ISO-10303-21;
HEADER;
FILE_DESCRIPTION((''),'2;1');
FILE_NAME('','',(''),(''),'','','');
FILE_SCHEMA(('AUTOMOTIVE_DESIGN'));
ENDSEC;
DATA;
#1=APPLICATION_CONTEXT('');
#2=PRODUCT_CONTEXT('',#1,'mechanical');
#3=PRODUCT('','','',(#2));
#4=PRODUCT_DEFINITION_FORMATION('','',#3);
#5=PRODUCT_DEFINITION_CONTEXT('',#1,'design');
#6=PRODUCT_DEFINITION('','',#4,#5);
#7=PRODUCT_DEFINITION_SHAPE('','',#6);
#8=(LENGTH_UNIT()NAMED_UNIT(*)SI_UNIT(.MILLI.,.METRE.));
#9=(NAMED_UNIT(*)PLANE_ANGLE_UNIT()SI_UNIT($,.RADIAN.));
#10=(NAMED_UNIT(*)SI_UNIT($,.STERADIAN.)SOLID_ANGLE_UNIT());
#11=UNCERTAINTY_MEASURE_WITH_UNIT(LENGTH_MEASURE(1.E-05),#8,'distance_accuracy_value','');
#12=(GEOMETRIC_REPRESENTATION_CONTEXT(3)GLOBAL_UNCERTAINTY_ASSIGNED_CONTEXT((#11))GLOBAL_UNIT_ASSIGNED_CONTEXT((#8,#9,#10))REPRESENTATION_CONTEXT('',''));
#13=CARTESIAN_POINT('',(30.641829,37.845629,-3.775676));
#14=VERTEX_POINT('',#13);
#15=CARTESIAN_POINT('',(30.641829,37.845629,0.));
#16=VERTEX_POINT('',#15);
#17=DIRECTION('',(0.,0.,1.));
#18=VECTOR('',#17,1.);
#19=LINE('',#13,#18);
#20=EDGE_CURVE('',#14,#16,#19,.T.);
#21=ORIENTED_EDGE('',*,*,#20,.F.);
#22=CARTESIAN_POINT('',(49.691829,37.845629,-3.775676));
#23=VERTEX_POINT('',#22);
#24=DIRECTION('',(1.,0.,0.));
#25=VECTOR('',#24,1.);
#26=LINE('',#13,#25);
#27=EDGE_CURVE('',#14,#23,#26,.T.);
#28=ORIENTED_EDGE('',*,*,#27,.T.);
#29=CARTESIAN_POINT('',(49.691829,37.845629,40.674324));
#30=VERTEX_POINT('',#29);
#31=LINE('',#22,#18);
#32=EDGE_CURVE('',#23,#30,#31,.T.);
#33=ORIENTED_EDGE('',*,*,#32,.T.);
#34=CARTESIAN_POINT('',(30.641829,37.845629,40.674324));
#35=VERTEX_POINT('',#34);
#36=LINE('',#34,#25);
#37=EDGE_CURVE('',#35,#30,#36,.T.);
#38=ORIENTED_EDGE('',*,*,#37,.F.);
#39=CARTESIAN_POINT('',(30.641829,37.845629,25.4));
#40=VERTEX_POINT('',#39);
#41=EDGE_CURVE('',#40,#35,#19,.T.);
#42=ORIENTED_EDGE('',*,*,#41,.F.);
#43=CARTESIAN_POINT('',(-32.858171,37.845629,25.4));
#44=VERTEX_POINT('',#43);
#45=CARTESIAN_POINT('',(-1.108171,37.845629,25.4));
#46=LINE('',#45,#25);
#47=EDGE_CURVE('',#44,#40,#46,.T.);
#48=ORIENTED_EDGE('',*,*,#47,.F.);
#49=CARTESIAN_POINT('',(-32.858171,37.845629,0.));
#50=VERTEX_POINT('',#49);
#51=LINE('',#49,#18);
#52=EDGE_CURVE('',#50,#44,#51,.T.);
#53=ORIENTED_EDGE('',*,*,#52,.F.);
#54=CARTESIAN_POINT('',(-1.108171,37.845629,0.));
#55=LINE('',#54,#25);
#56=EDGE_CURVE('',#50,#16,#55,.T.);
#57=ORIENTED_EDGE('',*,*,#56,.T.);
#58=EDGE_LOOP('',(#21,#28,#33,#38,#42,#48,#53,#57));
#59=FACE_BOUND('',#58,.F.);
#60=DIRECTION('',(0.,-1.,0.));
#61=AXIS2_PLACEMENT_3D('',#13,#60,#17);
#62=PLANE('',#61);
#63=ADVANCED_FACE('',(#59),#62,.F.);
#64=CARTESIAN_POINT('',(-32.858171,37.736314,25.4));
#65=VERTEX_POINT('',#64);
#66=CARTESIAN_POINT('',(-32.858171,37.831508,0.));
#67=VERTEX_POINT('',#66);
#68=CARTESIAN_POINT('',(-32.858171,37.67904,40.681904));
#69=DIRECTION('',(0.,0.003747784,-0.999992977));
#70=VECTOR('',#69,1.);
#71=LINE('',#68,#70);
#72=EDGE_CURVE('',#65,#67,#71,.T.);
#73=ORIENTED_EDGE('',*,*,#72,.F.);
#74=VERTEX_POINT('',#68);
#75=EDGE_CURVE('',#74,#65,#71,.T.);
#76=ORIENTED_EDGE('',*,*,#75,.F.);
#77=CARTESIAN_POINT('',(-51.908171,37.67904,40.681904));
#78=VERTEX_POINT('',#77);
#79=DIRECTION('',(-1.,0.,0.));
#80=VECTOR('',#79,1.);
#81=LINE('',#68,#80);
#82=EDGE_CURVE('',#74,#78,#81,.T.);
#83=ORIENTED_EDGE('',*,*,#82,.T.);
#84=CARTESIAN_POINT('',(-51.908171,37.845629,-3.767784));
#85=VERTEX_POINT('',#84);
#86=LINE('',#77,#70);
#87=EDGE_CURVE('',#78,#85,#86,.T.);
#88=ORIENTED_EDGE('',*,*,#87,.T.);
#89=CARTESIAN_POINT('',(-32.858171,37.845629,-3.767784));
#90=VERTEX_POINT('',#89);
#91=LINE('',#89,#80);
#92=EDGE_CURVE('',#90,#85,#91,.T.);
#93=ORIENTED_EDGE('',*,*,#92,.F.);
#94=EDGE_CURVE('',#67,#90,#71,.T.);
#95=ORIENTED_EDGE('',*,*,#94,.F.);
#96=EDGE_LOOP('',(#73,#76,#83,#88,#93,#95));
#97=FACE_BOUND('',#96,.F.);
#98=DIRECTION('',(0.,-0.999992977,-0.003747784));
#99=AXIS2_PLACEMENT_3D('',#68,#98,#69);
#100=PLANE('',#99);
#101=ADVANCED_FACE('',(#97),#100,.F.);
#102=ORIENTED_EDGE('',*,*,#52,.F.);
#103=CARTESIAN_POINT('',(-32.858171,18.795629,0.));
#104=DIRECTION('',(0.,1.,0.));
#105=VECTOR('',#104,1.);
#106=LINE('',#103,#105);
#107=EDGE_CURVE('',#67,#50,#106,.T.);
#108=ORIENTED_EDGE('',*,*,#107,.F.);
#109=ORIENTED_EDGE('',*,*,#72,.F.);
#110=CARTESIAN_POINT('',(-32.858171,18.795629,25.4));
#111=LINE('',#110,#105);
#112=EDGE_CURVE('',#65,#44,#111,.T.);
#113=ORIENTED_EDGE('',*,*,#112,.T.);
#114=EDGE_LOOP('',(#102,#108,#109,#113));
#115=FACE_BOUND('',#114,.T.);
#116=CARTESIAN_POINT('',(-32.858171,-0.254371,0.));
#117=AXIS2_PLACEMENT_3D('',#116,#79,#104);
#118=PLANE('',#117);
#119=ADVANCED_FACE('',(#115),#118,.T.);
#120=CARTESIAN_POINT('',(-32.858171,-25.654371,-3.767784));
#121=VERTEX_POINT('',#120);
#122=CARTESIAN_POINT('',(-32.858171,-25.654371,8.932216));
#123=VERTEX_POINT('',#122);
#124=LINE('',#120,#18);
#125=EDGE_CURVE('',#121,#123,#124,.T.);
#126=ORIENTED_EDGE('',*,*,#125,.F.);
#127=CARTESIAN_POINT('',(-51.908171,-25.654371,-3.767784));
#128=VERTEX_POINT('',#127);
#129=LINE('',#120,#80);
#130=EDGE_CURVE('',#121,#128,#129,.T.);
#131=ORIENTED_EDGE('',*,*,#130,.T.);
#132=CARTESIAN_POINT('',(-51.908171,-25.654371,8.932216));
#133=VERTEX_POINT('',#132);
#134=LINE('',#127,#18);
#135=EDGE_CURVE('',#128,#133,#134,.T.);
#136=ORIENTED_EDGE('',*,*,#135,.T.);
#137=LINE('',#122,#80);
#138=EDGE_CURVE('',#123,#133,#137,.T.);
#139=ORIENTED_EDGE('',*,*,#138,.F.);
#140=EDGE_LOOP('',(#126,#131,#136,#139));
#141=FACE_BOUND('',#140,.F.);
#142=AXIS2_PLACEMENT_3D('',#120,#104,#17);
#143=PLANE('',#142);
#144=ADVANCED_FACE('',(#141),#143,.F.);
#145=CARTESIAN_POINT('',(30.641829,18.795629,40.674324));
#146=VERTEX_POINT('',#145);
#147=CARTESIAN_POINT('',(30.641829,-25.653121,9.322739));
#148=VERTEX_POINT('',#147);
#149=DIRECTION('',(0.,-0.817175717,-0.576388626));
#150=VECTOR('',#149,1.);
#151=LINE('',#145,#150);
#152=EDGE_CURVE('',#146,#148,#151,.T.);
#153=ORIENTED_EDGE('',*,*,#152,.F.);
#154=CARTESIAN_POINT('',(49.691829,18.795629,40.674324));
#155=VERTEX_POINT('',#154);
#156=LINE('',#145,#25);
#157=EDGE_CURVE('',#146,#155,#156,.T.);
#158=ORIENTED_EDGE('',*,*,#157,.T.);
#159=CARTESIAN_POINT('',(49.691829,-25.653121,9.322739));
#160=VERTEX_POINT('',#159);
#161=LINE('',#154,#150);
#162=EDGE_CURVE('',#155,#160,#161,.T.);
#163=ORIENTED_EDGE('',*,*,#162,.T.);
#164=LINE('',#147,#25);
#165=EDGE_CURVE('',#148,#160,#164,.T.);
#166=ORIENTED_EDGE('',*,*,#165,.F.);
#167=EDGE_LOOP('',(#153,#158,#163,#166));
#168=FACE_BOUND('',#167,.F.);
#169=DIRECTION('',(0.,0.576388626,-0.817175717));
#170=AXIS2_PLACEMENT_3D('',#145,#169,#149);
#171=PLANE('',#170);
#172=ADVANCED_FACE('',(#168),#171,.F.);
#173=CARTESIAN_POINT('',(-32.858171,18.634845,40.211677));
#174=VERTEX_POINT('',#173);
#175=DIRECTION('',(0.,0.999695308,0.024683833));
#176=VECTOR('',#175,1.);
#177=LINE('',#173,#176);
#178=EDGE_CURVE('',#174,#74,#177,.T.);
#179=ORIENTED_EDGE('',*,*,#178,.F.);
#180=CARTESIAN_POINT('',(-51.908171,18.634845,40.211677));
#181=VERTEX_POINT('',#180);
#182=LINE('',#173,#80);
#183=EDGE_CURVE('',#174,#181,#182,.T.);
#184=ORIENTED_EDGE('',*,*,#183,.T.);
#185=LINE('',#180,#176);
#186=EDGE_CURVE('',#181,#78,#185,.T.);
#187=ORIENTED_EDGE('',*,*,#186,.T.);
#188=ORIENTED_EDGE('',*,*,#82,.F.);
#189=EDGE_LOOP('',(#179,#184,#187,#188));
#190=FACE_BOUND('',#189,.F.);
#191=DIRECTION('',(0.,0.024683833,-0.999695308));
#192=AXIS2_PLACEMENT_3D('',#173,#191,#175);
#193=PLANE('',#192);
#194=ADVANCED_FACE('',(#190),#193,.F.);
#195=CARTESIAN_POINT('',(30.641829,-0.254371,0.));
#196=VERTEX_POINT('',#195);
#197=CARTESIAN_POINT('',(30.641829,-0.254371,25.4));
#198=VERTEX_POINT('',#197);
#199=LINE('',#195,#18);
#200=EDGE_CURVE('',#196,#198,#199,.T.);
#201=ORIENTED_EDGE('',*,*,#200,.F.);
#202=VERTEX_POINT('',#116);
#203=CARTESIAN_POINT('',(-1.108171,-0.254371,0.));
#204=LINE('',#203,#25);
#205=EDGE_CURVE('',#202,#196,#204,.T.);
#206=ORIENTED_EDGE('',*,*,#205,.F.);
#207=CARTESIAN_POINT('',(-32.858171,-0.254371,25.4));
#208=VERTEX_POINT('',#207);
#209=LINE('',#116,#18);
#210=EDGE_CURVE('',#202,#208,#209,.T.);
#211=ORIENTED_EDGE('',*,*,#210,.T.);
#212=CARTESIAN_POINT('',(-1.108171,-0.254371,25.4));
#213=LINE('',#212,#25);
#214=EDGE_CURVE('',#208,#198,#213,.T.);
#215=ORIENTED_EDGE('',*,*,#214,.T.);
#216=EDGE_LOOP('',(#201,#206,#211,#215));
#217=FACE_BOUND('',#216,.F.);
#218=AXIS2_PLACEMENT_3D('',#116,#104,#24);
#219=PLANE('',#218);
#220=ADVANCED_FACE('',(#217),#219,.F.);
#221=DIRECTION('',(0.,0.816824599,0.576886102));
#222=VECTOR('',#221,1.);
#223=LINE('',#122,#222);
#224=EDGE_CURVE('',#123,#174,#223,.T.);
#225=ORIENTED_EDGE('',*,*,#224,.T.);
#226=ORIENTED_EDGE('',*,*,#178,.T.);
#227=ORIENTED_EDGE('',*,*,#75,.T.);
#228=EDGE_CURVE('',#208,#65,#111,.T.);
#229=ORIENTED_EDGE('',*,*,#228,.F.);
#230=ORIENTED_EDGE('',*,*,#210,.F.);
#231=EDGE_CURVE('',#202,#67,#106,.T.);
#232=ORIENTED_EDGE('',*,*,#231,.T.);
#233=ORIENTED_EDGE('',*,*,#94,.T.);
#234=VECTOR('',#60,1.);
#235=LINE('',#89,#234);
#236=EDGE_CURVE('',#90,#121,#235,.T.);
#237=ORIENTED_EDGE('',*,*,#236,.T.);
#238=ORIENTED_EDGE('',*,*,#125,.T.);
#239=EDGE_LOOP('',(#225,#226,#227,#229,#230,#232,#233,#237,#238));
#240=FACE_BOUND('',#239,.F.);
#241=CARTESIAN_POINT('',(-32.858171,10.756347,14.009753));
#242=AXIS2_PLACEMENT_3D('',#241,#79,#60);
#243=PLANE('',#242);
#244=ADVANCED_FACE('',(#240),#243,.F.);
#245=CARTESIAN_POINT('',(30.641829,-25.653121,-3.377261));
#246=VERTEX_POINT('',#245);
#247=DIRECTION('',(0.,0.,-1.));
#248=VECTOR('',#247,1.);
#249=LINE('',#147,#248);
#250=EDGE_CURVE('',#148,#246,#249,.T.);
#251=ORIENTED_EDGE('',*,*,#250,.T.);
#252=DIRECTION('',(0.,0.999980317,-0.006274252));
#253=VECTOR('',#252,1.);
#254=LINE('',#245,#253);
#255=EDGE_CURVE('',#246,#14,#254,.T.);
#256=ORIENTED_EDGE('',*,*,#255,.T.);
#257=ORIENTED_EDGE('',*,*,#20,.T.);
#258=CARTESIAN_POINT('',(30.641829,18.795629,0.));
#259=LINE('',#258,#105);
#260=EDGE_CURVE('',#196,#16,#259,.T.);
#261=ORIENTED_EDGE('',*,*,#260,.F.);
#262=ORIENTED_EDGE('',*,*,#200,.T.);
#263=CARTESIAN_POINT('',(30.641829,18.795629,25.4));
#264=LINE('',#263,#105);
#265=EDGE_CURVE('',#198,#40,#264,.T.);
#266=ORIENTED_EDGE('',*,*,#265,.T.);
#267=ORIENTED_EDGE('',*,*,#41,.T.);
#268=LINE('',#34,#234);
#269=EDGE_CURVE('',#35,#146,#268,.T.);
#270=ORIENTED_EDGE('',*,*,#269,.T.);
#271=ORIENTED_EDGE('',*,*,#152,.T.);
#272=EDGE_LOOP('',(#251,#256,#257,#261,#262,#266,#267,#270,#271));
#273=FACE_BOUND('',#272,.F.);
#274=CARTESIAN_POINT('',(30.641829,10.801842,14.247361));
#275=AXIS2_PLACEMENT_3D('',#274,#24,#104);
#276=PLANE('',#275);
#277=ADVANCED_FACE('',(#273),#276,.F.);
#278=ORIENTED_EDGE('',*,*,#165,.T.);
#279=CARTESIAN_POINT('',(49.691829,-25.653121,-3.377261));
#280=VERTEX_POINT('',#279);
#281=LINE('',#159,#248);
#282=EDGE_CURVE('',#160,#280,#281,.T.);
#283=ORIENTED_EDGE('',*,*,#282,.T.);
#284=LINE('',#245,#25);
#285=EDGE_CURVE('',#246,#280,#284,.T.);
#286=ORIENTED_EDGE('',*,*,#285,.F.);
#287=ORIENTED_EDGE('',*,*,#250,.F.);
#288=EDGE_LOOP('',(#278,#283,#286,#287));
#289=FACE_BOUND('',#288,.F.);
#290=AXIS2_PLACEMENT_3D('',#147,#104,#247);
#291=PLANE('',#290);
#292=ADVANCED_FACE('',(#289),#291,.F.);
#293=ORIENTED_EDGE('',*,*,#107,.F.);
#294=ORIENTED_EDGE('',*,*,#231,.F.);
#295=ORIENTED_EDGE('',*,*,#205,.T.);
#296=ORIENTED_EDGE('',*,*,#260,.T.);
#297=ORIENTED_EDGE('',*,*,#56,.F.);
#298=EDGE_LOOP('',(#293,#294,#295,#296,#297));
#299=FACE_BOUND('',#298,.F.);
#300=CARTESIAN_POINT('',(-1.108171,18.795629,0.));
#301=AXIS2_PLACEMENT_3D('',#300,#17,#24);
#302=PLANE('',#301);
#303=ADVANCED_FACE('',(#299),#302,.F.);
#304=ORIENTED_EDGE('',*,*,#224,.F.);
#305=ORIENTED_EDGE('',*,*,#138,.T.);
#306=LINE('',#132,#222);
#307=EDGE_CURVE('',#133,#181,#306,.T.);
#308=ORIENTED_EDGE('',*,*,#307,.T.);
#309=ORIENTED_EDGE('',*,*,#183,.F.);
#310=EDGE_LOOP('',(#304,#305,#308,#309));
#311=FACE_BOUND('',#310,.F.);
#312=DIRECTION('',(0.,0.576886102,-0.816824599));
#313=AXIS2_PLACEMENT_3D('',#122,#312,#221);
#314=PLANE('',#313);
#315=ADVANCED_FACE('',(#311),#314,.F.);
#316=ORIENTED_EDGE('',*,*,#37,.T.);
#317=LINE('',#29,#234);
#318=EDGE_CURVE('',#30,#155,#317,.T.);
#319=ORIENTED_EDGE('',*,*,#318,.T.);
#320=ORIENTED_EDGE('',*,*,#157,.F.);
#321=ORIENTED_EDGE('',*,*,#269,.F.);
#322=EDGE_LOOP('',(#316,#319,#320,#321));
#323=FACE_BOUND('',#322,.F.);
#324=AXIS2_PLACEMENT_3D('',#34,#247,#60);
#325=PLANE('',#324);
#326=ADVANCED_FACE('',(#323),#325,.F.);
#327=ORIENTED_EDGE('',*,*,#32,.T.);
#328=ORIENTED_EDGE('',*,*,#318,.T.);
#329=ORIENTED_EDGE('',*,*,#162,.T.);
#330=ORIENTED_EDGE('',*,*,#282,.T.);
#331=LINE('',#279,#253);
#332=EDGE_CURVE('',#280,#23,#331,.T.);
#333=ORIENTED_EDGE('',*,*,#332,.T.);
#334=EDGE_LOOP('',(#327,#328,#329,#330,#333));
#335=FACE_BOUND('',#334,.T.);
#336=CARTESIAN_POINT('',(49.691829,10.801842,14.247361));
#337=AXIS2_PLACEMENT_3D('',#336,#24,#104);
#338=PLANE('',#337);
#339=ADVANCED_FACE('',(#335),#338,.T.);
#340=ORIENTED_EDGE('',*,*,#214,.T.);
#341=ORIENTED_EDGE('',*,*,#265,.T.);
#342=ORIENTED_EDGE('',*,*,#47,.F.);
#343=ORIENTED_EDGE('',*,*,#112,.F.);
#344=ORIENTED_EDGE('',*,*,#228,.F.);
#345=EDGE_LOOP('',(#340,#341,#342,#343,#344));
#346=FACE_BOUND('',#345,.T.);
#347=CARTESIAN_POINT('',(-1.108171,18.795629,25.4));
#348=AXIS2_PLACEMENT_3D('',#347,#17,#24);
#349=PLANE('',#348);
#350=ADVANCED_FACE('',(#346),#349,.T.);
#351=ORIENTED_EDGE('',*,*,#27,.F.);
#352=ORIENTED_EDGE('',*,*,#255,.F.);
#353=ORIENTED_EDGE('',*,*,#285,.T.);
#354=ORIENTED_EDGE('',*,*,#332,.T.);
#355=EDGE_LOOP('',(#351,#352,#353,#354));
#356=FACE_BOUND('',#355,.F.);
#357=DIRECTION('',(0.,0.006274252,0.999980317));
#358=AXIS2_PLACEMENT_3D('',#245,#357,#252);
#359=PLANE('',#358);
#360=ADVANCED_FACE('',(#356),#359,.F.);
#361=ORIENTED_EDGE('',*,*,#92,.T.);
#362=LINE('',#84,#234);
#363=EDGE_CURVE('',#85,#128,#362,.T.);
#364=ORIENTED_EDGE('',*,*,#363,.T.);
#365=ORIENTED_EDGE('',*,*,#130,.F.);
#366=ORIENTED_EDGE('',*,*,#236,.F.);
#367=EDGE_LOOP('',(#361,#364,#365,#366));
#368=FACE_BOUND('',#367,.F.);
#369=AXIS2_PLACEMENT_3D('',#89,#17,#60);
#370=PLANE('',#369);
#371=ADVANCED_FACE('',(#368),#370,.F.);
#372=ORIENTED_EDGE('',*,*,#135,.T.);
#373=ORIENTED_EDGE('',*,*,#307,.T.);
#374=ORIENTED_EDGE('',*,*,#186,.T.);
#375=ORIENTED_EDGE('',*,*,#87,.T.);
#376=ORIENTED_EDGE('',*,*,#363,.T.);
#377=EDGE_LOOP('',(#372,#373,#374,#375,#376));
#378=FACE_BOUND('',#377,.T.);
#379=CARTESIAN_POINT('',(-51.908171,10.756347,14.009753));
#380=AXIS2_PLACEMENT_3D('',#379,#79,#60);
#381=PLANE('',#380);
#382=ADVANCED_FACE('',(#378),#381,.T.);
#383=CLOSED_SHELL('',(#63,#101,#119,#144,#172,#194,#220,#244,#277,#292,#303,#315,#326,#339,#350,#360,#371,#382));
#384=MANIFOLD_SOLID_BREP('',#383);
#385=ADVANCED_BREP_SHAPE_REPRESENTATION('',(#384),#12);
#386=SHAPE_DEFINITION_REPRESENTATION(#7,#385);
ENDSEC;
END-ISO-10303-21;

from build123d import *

# Parameters (mm, degrees)
F0_W     = 63.5
F0_H     = 38.1
F1_DEPTH = 25.4
F3_DEPTH = 19.05
F5_DEPTH = 19.05


with BuildPart() as f1:
    # F0 (on Top) → F1 (new body)
    with BuildSketch(Plane.XY):
        with Locations((-1.108171, 18.795629)):
            Rectangle(F0_W, F0_H)
    extrude(amount=F1_DEPTH)

    # F2 (on face) → F3 (join)
    with BuildSketch(Plane.YZ.offset(30.641829)):
        Polygon((37.845629, -3.775676), (37.845629, 0), (37.845629, 40.674324), (18.795629, 40.674324), (-25.653121, 9.322739), (-25.653121, -3.377261), align=None)
    extrude(amount=F3_DEPTH)

    # F4 (on face) → F5 (join)
    with BuildSketch(Plane(origin=(-32.858171, 0, 0), x_dir=(0, -1, 0), z_dir=(-1, 0, 0))):
        Polygon((-18.634845, 40.211677), (-37.67904, 40.681904), (-37.845629, -3.767784), (25.654371, -3.767784), (25.654371, 8.932216), align=None)
    extrude(amount=F5_DEPTH)


solid = f1.part
